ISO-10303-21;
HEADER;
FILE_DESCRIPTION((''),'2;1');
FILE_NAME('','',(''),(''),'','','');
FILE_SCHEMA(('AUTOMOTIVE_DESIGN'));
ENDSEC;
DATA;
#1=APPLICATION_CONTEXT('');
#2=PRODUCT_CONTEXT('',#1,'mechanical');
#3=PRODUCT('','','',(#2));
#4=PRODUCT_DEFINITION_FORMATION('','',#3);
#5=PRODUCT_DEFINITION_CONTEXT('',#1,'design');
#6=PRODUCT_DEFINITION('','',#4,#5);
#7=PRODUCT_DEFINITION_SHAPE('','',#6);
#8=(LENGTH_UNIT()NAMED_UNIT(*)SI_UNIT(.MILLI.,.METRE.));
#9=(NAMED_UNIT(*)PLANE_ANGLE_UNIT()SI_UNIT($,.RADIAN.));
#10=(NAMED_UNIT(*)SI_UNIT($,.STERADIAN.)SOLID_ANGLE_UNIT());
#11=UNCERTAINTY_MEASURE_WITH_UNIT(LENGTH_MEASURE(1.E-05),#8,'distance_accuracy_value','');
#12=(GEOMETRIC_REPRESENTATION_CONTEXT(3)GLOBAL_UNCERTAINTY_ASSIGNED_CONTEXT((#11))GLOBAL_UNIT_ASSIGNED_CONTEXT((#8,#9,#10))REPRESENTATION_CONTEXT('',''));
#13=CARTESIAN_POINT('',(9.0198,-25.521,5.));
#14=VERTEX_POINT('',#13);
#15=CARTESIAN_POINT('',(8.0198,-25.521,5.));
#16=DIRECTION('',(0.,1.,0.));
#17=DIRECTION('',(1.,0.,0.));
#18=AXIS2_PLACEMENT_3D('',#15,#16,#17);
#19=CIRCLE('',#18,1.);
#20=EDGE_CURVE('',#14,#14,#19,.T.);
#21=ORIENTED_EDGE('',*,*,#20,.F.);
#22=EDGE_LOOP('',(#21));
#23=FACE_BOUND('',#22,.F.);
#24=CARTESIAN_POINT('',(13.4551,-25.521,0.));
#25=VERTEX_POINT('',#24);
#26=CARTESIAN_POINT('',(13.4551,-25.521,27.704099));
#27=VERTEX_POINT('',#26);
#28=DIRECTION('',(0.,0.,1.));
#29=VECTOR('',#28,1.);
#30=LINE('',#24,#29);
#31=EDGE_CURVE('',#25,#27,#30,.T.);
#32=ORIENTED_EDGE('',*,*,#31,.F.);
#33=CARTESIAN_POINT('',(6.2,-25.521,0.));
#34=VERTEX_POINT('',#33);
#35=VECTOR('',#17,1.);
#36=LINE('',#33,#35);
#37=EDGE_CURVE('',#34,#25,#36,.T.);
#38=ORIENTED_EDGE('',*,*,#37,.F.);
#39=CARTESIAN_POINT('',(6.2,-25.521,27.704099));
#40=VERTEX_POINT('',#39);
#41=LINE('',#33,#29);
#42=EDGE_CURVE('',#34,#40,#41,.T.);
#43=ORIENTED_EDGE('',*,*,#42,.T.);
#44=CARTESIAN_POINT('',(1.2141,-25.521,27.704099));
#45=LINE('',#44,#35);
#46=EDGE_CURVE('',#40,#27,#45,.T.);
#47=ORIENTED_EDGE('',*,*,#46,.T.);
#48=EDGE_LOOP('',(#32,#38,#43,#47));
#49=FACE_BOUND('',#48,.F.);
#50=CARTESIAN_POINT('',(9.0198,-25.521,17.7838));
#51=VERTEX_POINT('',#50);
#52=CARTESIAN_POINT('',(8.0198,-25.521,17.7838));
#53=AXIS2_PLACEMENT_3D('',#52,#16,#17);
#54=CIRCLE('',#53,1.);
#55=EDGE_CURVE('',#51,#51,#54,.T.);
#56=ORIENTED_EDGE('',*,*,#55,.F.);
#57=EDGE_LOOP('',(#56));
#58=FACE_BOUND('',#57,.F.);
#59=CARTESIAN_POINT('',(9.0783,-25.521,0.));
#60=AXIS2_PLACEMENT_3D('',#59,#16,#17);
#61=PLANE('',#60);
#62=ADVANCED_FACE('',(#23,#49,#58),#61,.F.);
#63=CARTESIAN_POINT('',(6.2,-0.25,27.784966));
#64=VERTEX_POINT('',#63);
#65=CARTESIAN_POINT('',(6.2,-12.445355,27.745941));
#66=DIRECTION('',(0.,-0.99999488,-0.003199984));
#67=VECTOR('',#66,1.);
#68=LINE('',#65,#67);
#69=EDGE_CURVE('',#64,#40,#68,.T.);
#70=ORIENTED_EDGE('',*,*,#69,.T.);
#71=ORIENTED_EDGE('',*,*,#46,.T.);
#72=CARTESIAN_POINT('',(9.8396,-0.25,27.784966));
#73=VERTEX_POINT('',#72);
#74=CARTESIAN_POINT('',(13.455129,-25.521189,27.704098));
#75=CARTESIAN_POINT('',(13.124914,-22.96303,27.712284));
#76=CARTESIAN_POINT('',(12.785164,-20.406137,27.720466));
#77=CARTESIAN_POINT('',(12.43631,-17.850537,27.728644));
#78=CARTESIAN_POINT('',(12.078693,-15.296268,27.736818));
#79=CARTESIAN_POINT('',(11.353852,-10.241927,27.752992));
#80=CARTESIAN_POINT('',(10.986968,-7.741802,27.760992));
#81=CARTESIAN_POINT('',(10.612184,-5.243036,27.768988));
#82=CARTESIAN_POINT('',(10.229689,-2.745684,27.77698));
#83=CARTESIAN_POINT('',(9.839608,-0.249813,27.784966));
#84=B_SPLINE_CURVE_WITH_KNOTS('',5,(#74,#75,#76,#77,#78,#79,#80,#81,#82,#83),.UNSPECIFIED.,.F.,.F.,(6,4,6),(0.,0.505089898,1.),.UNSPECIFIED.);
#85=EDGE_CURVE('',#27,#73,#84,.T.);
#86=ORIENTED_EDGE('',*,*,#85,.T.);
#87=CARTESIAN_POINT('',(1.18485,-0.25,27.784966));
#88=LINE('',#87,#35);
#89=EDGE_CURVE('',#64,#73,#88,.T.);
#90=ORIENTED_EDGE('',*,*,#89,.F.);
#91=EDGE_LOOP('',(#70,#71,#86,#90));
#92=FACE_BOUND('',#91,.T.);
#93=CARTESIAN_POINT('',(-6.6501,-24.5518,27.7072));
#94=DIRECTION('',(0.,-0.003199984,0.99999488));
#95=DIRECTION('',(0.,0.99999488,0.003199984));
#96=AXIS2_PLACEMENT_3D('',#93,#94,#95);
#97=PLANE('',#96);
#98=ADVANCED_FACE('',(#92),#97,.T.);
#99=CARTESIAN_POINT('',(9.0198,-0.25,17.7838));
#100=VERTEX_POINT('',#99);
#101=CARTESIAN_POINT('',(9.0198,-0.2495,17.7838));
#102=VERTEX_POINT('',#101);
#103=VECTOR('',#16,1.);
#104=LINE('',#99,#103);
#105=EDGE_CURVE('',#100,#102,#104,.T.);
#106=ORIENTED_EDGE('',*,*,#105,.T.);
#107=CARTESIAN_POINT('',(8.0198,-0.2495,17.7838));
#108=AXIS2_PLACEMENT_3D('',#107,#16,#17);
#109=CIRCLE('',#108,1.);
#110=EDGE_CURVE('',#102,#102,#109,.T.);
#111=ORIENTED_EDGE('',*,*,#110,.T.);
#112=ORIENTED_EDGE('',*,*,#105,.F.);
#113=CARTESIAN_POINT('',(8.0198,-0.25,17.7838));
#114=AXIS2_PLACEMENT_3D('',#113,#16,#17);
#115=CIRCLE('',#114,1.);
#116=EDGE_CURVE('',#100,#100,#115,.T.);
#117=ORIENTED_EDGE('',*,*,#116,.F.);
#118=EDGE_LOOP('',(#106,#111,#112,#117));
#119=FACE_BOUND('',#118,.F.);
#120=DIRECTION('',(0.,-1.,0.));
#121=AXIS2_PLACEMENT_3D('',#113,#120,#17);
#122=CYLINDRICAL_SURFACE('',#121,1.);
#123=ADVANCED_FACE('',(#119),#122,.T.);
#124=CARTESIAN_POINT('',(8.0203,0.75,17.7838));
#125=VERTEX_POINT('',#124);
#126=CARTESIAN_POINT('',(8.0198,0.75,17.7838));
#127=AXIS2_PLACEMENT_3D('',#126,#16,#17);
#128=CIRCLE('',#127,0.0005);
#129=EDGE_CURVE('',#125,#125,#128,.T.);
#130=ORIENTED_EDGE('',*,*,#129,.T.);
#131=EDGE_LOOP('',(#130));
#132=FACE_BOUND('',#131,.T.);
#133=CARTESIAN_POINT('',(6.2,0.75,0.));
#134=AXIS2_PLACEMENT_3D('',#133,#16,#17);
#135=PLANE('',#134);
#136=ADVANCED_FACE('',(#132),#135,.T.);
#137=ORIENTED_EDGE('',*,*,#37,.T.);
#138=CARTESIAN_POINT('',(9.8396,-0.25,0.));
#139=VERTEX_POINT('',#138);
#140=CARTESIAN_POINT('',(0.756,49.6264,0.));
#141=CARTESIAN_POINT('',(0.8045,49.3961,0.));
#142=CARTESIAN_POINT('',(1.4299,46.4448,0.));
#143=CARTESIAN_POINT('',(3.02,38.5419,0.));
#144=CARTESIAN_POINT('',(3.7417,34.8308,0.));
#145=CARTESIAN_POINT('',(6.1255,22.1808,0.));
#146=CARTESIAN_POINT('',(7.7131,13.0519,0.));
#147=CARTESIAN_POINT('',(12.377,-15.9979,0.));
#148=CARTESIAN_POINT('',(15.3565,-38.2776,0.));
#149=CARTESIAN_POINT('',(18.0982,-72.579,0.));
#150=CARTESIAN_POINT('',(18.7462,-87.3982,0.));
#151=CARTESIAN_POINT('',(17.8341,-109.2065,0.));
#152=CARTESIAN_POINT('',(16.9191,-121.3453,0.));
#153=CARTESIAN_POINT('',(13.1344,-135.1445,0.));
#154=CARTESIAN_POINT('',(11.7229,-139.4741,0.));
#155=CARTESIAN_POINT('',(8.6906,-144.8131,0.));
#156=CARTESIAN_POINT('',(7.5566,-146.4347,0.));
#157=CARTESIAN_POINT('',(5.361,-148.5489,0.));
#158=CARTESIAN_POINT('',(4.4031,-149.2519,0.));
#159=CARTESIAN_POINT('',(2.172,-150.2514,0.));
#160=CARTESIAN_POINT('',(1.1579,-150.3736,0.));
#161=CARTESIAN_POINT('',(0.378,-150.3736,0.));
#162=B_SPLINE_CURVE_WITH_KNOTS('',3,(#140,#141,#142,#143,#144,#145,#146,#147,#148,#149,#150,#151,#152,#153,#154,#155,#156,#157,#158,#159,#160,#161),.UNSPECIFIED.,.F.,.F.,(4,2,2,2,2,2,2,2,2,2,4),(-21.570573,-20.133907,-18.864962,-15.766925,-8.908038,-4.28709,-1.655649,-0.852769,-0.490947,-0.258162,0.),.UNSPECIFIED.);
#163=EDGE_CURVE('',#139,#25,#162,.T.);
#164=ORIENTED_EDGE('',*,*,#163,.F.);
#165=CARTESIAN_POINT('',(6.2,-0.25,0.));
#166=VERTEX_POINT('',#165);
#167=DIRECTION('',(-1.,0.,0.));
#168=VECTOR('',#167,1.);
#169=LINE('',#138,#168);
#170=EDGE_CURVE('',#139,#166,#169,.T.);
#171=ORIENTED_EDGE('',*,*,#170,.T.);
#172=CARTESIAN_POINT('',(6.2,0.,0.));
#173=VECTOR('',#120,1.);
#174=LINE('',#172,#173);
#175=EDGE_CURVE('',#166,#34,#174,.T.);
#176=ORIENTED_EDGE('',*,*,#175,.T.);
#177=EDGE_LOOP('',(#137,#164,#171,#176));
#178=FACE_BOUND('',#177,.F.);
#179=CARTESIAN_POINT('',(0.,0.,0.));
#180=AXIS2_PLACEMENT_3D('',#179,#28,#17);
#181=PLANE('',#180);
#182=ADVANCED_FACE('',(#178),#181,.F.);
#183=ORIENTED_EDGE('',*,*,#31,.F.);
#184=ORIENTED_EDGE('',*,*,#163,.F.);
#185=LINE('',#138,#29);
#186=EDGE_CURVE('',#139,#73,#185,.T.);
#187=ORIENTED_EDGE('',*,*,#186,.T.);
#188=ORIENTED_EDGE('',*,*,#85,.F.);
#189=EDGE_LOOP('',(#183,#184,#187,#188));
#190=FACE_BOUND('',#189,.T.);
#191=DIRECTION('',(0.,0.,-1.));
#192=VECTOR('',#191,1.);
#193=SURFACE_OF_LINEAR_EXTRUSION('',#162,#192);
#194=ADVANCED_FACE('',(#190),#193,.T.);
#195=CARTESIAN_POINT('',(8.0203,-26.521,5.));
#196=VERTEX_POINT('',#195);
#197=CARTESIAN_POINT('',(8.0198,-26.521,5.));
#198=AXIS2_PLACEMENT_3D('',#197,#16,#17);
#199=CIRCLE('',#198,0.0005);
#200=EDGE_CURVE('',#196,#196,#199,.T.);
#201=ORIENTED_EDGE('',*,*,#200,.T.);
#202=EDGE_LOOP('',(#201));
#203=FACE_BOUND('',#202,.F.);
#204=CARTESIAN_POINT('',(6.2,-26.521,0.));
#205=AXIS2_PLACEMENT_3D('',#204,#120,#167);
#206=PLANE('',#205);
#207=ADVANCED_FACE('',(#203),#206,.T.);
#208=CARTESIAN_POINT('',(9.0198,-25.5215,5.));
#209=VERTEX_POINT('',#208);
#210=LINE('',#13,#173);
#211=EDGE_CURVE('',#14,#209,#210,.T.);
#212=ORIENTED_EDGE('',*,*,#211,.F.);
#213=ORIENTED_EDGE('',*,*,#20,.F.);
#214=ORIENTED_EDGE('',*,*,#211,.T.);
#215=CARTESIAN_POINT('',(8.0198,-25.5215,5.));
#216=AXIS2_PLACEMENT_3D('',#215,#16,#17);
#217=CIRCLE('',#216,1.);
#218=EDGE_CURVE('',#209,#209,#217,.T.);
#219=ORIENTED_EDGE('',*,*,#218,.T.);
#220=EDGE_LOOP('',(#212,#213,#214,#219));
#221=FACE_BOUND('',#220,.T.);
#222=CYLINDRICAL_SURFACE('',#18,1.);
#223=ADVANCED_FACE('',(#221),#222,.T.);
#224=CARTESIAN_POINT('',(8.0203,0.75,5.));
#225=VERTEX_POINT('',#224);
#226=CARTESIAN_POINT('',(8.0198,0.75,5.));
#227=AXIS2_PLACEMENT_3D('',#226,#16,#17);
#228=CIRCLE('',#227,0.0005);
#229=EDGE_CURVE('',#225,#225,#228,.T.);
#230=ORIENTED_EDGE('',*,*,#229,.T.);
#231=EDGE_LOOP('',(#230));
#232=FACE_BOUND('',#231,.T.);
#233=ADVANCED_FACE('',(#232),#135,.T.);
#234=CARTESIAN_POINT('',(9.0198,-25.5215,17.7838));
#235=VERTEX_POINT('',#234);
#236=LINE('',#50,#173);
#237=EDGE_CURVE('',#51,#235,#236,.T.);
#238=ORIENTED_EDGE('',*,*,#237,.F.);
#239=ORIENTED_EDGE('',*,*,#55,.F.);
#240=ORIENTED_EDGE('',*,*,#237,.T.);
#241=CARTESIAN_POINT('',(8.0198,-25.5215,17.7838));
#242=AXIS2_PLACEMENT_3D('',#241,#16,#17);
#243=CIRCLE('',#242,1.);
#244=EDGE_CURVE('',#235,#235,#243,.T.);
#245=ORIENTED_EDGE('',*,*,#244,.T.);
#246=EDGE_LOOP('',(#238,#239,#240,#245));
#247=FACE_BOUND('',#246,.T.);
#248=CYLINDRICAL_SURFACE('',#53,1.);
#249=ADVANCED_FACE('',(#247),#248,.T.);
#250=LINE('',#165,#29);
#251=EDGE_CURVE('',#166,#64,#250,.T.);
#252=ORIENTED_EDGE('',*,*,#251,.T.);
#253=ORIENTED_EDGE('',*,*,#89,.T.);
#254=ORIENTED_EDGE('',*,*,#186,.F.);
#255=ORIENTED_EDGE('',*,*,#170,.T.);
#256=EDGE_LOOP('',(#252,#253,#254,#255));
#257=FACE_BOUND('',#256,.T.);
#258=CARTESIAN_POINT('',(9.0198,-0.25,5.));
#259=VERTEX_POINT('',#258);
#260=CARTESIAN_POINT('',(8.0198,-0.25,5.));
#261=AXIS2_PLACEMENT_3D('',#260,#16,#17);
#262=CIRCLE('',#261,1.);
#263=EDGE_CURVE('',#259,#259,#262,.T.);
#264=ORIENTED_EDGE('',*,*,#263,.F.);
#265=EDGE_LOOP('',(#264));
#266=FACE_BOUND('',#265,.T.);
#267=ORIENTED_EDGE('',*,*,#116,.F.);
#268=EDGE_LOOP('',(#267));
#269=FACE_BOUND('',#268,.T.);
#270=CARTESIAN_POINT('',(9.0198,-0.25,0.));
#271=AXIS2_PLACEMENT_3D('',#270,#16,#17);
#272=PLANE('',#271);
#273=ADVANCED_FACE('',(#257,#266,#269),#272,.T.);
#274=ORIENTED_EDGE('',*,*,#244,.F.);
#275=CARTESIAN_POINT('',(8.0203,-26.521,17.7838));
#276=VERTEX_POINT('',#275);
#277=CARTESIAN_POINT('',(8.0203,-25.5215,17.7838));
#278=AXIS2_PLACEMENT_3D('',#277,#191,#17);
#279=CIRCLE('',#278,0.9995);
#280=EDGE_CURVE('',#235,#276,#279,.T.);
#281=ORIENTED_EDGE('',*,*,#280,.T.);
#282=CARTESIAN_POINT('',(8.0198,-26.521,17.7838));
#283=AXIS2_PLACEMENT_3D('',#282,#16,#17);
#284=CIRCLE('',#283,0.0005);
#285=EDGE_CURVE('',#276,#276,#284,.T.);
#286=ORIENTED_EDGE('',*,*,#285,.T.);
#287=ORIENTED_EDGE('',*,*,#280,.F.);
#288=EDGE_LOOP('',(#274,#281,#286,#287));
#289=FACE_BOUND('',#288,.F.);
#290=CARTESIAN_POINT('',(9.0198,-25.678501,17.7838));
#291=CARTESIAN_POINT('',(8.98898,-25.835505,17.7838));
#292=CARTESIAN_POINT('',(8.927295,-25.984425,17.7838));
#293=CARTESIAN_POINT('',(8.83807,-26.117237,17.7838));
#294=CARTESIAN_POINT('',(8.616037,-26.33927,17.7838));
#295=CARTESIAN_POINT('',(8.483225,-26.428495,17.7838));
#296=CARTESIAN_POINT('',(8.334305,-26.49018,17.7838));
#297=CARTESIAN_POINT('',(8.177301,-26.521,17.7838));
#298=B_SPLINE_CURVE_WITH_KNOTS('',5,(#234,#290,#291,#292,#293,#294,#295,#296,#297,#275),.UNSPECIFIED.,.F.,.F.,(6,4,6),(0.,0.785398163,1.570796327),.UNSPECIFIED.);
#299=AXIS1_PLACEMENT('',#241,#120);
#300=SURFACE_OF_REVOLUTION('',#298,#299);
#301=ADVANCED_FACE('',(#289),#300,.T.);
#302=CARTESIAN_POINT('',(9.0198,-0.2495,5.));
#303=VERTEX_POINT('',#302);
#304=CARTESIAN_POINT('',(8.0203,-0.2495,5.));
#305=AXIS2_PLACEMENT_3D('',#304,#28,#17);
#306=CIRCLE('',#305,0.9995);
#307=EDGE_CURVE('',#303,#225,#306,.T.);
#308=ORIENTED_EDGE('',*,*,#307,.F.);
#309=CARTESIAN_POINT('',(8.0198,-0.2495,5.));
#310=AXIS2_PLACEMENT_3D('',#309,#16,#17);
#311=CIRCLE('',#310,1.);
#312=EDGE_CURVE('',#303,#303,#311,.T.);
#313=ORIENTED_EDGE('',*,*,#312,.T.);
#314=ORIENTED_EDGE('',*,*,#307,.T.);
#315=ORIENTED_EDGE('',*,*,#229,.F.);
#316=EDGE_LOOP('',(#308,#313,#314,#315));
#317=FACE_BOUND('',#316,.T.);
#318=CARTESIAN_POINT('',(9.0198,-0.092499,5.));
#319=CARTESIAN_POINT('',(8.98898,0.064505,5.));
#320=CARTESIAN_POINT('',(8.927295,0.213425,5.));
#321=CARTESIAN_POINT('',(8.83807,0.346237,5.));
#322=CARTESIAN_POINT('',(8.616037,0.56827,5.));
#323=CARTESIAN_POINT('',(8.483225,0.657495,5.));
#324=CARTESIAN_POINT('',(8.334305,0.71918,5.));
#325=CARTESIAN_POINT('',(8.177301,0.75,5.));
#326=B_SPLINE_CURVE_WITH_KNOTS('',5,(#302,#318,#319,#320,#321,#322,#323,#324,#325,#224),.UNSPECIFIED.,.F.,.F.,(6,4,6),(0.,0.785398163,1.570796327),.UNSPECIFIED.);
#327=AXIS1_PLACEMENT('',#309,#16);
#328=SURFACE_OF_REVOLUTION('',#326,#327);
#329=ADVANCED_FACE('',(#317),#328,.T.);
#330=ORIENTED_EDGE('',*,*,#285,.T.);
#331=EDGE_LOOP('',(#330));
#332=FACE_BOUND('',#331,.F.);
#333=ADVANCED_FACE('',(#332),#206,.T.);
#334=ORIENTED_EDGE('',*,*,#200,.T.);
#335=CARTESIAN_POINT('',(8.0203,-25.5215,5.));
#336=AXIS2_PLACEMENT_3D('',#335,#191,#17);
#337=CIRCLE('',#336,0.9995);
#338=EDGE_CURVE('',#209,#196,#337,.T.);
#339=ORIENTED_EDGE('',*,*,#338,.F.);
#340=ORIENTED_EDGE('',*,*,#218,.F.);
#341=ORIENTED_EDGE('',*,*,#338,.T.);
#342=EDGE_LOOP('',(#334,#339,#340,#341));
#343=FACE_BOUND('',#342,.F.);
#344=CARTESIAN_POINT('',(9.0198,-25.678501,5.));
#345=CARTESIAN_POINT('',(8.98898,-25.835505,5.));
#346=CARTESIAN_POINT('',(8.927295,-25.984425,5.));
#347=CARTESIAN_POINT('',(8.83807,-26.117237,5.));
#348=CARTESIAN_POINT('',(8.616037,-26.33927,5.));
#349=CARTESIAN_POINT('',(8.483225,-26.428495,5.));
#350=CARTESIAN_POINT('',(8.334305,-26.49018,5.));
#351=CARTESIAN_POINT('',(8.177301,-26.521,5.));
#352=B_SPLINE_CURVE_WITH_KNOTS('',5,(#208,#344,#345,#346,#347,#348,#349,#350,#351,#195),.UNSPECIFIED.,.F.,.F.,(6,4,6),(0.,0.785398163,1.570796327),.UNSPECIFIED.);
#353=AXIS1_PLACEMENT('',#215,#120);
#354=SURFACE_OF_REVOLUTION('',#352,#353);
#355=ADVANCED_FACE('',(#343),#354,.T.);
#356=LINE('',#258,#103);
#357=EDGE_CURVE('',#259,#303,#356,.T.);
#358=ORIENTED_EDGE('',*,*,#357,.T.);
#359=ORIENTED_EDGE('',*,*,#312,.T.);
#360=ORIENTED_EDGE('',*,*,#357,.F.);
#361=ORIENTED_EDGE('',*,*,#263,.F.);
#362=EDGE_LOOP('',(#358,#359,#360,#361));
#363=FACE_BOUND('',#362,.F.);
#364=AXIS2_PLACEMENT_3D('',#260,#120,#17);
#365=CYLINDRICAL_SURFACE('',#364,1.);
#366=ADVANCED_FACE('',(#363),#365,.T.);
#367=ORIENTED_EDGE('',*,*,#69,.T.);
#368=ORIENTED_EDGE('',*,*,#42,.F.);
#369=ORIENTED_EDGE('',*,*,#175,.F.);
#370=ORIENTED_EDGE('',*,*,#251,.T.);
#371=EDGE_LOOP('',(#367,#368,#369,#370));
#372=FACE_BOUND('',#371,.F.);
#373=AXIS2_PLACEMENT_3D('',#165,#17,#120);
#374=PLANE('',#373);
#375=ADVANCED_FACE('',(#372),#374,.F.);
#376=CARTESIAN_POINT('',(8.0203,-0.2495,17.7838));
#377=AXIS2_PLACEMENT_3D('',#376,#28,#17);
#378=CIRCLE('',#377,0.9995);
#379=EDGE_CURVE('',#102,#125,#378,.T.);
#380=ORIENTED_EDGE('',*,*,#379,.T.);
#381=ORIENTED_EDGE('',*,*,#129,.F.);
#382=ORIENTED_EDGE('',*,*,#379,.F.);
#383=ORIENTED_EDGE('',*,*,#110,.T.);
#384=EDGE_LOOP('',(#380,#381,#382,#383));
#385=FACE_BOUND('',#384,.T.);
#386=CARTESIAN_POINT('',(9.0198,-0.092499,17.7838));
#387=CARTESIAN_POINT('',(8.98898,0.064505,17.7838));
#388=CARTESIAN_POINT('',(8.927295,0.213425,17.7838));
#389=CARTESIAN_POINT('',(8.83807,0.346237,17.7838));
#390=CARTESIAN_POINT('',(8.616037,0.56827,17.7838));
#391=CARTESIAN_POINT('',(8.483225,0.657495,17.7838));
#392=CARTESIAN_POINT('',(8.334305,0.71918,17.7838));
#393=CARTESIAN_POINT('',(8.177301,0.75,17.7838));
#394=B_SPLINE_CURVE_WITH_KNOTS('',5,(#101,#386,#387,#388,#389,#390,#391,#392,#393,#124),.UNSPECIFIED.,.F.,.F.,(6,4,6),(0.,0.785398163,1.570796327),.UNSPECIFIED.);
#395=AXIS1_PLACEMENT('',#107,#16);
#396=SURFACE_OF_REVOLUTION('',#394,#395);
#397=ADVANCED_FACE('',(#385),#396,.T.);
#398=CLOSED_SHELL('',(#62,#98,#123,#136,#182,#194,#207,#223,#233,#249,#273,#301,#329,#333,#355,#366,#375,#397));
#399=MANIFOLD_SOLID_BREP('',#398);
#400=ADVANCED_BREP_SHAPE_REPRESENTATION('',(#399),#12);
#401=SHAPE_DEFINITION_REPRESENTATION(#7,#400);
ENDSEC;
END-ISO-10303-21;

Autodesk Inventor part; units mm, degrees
ref_plane "YZ Plane" through (0, 0, 0) normal (1, 0, 0) x (0, 1, 0)
ref_plane "Work Plane1" through (0, 0, 0) normal (0, 0, 1) x (1, 0, 0)
sketch "Sketch1" plane through (0, 0, 0) normal (0, 0, 1) x (1, 0, 0)
  spline S0 degree 3 poles (0.756, 49.6264) (0.8045, 49.3961) (1.4299, 46.4448) (3.02, 38.5419) (3.7417, 34.8308) (6.1255, 22.1808) (7.7131, 13.0519) (12.377, -15.9979) (15.3565, -38.2776) (18.0982, -72.579) (18.7462, -87.3982) (17.8341, -109.2065) (16.9191, -121.3453) (13.1344, -135.1445) (11.7229, -139.4741) (8.6906, -144.8131) (7.5566, -146.4347) (5.361, -148.5489) (4.4031, -149.2519) (2.172, -150.2514) (1.1579, -150.3736) (0.378, -150.3736) knots -21.570573 -21.570573 -21.570573 -21.570573 -20.133907 -20.133907 -18.864962 -18.864962 -15.766925 -15.766925 -8.908038 -8.908038 -4.28709 -4.28709 -1.655649 -1.655649 -0.852769 -0.852769 -0.490947 -0.490947 -0.258162 -0.258162 0 0 0 0 projected
  line L0 (13.2039, -25.771) -> (-6.8, -25.771) projected
  line L1 (-6.8, 0) -> (9.8005, 0) projected
  line L2 (5.2, -2.2181) -> (5.2, 1.2819) projected
  line L3 (6.2, 0) -> (6.2, -25.771)
  line L4 (6.2, -0.25) -> (9.8396, -0.25)
  line L5 (6.2, -25.521) -> (13.4551, -25.521)
  circle A0 centre (8.0198, -0.25) radius 1
  circle A1 centre (8.0783, -25.521) radius 1
  circle A2 centre (8.0198, -0.25) radius 1
  circle A3 centre (8.0783, -25.521) radius 1
  point P0 (0, 0)
  point P1 (9.0783, -25.521)
  point P2 (9.0198, -0.25)
  point P3 (7.0198, -0.25)
  point P4 (7.0783, -25.521)
  dimension "d0" = 1
  dimension "d1" = 0.25
  dimension "d2" = 0.25
  dimension "d3" = 2
  dimension "d4" = 2
ref_plane "Work Plane2" through (-6.6501, -24.5518, 27.7072) normal (0, -0.0032, 1) x (1, 0, 0)
ref_plane "Work Plane3" through (-6.6501, -24.5518, 27.7072) normal (0, -0.0032, 1) x (1, 0, 0)
extrude "Extrusion1" add sketch "Sketch1" along normal up to surface contours S0 L5 A1 L3 L4 A0 | A0 L4 | L5 A1 surface through (-6.6501, -24.5518, 27.7072) normal (0, -0.0032, 1)
ref_plane "Work Plane4" through (0, 0, 80) normal (0, 0, 1) x (1, 0, 0)
sketch "Sketch3" plane through (6.2, -0.25, 0) normal (0, 1, 0) x (1, 0, 0)
  circle A0 centre (1.8198, -5) radius 1
  circle A1 centre (1.8198, -17.7838) radius 1
  line L0 (0, -27.7838) -> (3.6396, -27.7838) projected
  line L1 (3.6396, 0) -> (0, 0) projected
  point P0 (-6.2, 0)
  point P1 (1.8198, -27.7838)
  point P2 (1.8198, 0)
  dimension "d10" = 2
  dimension "d11" = 2
  dimension "d13" = 10
  dimension "d14" = 5
extrude "Extrusion3" add sketch "Sketch3" along normal blind 1
fillet "Fillet1" radius 1 2 edges at (7.0198, 0.75, 5) (7.0198, 0.75, 17.7838)
ref_plane "Work Plane5" through (6.2, -12.8855, 0) normal (0, 1, 0) x (1, 0, 0)
mirror "Mirror2" about plane through (6.2, -12.8855, 0) normal (0, 1, 0) of "Extrusion3"
fillet "Fillet2" radius 1 2 edges at (7.0198, -26.521, 17.7838) (7.0198, -26.521, 5)
ref_plane "Work Plane6" through (0, 0, 792.194) normal (0, 0, 1) x (1, 0, 0)
properties part number "servo cap"
